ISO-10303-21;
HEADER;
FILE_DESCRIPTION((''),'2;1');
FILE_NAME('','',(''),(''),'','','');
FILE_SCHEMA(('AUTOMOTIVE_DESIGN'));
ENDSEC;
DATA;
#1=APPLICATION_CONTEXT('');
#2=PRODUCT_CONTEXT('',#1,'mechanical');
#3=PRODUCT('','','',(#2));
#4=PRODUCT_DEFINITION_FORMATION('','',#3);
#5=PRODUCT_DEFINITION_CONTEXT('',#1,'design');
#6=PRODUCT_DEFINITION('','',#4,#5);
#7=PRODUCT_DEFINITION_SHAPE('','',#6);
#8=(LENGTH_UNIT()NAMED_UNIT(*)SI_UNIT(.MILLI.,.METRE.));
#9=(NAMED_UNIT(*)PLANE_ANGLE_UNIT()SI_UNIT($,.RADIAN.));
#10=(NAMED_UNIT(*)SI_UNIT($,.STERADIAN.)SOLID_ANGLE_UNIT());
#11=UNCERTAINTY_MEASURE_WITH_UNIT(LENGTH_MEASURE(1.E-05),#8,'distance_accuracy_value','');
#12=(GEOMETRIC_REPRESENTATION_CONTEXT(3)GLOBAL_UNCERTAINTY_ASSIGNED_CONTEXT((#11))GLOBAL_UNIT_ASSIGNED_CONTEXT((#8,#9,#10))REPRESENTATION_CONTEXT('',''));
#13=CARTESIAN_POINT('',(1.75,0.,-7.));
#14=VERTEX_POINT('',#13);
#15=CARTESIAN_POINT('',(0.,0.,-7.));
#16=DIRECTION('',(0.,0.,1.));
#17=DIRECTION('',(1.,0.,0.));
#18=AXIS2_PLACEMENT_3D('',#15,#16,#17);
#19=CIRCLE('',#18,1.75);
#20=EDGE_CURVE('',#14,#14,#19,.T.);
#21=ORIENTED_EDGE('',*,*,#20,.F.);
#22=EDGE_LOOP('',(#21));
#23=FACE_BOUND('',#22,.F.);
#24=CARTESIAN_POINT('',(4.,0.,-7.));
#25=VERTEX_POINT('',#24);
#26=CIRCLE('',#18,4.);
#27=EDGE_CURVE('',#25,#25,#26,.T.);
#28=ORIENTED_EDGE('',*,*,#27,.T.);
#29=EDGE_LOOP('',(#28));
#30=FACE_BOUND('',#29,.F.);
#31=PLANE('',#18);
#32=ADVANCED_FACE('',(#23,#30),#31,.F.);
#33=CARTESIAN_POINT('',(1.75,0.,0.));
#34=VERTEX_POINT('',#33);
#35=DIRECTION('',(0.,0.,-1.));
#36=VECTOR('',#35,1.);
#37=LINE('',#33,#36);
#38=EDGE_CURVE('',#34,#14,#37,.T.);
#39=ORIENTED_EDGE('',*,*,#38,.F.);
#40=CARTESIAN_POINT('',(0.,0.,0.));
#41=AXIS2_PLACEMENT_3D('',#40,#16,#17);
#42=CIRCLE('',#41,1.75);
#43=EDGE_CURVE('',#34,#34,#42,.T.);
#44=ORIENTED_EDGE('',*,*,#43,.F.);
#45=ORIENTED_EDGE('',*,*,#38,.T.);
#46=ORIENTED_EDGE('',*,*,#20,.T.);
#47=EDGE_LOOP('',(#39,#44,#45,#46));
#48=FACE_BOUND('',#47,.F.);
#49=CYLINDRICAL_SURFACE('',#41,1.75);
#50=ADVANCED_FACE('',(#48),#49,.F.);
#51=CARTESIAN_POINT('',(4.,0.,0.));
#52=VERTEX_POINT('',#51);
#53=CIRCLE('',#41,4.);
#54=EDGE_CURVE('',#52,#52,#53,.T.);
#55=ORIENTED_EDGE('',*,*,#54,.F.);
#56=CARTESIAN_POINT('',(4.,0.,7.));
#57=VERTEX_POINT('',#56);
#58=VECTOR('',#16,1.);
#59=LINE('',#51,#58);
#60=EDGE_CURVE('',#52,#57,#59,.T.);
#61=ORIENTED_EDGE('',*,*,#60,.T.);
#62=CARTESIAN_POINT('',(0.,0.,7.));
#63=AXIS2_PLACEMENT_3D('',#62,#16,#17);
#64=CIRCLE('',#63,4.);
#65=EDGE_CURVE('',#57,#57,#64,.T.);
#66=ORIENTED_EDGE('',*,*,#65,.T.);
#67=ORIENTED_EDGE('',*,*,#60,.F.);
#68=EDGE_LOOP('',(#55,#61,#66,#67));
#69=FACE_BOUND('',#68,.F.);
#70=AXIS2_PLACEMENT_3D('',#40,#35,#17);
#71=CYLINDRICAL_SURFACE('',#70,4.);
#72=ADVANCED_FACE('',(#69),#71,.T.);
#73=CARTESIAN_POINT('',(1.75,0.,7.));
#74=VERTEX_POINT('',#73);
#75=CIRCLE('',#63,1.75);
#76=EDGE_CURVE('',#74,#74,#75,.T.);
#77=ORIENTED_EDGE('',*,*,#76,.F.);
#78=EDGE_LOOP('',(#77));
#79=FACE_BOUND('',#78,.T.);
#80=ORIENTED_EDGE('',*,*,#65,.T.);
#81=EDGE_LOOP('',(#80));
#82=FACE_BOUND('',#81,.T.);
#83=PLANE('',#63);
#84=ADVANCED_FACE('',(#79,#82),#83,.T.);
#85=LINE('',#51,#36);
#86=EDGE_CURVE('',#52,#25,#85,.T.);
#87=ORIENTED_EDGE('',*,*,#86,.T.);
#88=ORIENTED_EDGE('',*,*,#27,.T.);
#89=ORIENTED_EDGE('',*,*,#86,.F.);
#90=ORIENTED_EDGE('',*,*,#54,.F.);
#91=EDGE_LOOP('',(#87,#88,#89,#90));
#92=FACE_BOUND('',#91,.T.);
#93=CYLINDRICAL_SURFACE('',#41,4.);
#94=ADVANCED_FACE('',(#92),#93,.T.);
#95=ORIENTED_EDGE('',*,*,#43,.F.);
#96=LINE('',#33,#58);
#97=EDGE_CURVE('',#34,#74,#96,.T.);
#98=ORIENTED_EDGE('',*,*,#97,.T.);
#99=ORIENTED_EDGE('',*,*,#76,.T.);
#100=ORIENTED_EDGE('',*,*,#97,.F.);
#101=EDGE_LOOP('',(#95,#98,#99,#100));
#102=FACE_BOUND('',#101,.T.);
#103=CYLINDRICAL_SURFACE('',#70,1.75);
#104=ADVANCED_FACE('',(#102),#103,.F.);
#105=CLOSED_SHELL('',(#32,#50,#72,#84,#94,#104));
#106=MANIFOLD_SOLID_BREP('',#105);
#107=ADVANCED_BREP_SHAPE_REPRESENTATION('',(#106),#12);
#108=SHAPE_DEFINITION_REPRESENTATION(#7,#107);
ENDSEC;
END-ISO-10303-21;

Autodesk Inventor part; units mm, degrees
ref_plane "YZ Plane" through (0, 0, 0) normal (1, 0, 0) x (0, 1, 0)
ref_plane "XZ Plane" through (0, 0, 0) normal (0, 1, 0) x (-1, 0, 0)
ref_plane "XY Plane" through (0, 0, 0) normal (0, 0, 1) x (1, 0, 0)
sketch "スケッチ1" plane through (0, 0, 0) normal (0, 0, 1) x (1, 0, 0)
  circle A0 centre (0, 0) radius 1.75
  circle A1 centre (0, 0) radius 4
  dimension "d0" = 3.5
  dimension "d1" = 8
extrude "押し出し1" add sketch "スケッチ1" along normal mid plane 14
properties part number "スペーサ7mm_内径3.3mm"
